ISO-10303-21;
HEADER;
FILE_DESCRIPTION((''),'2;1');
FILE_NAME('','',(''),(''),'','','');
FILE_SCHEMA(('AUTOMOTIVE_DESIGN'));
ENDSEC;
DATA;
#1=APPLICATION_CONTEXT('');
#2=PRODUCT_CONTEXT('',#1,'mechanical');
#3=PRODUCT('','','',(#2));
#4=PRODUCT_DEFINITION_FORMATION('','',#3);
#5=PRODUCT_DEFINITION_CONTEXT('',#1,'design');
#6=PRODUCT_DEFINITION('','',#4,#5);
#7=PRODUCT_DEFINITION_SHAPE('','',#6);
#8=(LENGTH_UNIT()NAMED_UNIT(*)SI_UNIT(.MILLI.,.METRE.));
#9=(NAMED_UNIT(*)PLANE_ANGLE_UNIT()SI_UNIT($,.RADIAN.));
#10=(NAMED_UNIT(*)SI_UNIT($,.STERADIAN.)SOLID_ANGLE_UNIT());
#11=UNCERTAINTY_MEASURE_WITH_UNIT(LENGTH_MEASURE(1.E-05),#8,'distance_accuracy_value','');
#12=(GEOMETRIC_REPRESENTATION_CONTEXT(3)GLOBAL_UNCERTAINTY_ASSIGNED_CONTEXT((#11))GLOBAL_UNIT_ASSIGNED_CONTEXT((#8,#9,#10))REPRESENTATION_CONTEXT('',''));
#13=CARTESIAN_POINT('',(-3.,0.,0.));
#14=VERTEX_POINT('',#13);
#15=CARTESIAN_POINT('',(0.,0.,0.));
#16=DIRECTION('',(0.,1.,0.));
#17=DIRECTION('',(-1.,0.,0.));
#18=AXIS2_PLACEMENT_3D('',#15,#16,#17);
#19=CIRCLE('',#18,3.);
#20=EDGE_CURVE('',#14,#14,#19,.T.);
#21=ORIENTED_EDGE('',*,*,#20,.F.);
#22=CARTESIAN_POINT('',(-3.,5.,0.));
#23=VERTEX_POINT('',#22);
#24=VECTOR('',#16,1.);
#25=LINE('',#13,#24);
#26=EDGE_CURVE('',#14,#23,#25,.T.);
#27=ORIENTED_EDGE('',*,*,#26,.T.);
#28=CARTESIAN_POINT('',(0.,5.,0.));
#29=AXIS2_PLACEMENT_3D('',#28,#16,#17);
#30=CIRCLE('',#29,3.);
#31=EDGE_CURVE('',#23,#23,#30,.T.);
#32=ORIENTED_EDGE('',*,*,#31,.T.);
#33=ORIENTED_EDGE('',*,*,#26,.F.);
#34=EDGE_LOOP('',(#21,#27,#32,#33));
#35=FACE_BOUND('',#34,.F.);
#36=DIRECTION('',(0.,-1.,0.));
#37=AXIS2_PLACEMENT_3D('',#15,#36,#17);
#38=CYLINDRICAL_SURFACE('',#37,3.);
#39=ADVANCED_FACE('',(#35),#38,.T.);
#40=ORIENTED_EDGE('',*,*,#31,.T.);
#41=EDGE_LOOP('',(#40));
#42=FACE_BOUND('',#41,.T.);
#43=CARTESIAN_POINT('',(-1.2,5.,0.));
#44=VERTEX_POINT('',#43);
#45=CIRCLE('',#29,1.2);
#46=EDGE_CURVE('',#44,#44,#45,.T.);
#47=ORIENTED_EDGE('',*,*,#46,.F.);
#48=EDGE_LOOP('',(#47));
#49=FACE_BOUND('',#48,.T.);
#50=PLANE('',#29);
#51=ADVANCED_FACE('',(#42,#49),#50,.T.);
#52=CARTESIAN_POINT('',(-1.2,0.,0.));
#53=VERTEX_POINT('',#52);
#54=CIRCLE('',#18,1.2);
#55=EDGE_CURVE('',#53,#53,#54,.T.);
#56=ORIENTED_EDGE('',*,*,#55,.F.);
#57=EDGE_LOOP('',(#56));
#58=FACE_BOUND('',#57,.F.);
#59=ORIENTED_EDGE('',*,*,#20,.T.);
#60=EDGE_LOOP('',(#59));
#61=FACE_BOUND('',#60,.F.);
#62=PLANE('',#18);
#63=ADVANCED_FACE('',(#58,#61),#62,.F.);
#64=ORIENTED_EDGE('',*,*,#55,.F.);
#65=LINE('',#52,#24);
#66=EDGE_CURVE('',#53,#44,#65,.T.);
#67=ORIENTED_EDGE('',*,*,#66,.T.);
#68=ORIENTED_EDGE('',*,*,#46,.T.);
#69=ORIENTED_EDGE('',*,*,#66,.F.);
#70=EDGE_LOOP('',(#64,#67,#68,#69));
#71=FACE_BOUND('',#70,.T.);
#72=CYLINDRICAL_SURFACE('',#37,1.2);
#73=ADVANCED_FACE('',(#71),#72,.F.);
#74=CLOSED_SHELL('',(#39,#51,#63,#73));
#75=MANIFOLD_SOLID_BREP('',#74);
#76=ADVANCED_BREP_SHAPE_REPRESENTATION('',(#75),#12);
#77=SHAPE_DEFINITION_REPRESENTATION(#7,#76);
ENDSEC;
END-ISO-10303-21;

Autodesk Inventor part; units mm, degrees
ref_plane "YZ Plane" through (0, 0, 0) normal (1, 0, 0) x (0, 1, 0)
ref_plane "XZ Plane" through (0, 0, 0) normal (0, 1, 0) x (-1, 0, 0)
ref_plane "XY Plane" through (0, 0, 0) normal (0, 0, 1) x (1, 0, 0)
sketch "Sketch1" plane through (0, 0, 0) normal (0, 1, 0) x (-1, 0, 0)
  circle A0 centre (0, 0) radius 1.2
  circle A1 centre (0, 0) radius 3
  dimension "d0" = 2.4
  dimension "d1" = 6
extrude "Extrusion1" add sketch "Sketch1" along normal blind 5
properties part number "generic_spacer"
